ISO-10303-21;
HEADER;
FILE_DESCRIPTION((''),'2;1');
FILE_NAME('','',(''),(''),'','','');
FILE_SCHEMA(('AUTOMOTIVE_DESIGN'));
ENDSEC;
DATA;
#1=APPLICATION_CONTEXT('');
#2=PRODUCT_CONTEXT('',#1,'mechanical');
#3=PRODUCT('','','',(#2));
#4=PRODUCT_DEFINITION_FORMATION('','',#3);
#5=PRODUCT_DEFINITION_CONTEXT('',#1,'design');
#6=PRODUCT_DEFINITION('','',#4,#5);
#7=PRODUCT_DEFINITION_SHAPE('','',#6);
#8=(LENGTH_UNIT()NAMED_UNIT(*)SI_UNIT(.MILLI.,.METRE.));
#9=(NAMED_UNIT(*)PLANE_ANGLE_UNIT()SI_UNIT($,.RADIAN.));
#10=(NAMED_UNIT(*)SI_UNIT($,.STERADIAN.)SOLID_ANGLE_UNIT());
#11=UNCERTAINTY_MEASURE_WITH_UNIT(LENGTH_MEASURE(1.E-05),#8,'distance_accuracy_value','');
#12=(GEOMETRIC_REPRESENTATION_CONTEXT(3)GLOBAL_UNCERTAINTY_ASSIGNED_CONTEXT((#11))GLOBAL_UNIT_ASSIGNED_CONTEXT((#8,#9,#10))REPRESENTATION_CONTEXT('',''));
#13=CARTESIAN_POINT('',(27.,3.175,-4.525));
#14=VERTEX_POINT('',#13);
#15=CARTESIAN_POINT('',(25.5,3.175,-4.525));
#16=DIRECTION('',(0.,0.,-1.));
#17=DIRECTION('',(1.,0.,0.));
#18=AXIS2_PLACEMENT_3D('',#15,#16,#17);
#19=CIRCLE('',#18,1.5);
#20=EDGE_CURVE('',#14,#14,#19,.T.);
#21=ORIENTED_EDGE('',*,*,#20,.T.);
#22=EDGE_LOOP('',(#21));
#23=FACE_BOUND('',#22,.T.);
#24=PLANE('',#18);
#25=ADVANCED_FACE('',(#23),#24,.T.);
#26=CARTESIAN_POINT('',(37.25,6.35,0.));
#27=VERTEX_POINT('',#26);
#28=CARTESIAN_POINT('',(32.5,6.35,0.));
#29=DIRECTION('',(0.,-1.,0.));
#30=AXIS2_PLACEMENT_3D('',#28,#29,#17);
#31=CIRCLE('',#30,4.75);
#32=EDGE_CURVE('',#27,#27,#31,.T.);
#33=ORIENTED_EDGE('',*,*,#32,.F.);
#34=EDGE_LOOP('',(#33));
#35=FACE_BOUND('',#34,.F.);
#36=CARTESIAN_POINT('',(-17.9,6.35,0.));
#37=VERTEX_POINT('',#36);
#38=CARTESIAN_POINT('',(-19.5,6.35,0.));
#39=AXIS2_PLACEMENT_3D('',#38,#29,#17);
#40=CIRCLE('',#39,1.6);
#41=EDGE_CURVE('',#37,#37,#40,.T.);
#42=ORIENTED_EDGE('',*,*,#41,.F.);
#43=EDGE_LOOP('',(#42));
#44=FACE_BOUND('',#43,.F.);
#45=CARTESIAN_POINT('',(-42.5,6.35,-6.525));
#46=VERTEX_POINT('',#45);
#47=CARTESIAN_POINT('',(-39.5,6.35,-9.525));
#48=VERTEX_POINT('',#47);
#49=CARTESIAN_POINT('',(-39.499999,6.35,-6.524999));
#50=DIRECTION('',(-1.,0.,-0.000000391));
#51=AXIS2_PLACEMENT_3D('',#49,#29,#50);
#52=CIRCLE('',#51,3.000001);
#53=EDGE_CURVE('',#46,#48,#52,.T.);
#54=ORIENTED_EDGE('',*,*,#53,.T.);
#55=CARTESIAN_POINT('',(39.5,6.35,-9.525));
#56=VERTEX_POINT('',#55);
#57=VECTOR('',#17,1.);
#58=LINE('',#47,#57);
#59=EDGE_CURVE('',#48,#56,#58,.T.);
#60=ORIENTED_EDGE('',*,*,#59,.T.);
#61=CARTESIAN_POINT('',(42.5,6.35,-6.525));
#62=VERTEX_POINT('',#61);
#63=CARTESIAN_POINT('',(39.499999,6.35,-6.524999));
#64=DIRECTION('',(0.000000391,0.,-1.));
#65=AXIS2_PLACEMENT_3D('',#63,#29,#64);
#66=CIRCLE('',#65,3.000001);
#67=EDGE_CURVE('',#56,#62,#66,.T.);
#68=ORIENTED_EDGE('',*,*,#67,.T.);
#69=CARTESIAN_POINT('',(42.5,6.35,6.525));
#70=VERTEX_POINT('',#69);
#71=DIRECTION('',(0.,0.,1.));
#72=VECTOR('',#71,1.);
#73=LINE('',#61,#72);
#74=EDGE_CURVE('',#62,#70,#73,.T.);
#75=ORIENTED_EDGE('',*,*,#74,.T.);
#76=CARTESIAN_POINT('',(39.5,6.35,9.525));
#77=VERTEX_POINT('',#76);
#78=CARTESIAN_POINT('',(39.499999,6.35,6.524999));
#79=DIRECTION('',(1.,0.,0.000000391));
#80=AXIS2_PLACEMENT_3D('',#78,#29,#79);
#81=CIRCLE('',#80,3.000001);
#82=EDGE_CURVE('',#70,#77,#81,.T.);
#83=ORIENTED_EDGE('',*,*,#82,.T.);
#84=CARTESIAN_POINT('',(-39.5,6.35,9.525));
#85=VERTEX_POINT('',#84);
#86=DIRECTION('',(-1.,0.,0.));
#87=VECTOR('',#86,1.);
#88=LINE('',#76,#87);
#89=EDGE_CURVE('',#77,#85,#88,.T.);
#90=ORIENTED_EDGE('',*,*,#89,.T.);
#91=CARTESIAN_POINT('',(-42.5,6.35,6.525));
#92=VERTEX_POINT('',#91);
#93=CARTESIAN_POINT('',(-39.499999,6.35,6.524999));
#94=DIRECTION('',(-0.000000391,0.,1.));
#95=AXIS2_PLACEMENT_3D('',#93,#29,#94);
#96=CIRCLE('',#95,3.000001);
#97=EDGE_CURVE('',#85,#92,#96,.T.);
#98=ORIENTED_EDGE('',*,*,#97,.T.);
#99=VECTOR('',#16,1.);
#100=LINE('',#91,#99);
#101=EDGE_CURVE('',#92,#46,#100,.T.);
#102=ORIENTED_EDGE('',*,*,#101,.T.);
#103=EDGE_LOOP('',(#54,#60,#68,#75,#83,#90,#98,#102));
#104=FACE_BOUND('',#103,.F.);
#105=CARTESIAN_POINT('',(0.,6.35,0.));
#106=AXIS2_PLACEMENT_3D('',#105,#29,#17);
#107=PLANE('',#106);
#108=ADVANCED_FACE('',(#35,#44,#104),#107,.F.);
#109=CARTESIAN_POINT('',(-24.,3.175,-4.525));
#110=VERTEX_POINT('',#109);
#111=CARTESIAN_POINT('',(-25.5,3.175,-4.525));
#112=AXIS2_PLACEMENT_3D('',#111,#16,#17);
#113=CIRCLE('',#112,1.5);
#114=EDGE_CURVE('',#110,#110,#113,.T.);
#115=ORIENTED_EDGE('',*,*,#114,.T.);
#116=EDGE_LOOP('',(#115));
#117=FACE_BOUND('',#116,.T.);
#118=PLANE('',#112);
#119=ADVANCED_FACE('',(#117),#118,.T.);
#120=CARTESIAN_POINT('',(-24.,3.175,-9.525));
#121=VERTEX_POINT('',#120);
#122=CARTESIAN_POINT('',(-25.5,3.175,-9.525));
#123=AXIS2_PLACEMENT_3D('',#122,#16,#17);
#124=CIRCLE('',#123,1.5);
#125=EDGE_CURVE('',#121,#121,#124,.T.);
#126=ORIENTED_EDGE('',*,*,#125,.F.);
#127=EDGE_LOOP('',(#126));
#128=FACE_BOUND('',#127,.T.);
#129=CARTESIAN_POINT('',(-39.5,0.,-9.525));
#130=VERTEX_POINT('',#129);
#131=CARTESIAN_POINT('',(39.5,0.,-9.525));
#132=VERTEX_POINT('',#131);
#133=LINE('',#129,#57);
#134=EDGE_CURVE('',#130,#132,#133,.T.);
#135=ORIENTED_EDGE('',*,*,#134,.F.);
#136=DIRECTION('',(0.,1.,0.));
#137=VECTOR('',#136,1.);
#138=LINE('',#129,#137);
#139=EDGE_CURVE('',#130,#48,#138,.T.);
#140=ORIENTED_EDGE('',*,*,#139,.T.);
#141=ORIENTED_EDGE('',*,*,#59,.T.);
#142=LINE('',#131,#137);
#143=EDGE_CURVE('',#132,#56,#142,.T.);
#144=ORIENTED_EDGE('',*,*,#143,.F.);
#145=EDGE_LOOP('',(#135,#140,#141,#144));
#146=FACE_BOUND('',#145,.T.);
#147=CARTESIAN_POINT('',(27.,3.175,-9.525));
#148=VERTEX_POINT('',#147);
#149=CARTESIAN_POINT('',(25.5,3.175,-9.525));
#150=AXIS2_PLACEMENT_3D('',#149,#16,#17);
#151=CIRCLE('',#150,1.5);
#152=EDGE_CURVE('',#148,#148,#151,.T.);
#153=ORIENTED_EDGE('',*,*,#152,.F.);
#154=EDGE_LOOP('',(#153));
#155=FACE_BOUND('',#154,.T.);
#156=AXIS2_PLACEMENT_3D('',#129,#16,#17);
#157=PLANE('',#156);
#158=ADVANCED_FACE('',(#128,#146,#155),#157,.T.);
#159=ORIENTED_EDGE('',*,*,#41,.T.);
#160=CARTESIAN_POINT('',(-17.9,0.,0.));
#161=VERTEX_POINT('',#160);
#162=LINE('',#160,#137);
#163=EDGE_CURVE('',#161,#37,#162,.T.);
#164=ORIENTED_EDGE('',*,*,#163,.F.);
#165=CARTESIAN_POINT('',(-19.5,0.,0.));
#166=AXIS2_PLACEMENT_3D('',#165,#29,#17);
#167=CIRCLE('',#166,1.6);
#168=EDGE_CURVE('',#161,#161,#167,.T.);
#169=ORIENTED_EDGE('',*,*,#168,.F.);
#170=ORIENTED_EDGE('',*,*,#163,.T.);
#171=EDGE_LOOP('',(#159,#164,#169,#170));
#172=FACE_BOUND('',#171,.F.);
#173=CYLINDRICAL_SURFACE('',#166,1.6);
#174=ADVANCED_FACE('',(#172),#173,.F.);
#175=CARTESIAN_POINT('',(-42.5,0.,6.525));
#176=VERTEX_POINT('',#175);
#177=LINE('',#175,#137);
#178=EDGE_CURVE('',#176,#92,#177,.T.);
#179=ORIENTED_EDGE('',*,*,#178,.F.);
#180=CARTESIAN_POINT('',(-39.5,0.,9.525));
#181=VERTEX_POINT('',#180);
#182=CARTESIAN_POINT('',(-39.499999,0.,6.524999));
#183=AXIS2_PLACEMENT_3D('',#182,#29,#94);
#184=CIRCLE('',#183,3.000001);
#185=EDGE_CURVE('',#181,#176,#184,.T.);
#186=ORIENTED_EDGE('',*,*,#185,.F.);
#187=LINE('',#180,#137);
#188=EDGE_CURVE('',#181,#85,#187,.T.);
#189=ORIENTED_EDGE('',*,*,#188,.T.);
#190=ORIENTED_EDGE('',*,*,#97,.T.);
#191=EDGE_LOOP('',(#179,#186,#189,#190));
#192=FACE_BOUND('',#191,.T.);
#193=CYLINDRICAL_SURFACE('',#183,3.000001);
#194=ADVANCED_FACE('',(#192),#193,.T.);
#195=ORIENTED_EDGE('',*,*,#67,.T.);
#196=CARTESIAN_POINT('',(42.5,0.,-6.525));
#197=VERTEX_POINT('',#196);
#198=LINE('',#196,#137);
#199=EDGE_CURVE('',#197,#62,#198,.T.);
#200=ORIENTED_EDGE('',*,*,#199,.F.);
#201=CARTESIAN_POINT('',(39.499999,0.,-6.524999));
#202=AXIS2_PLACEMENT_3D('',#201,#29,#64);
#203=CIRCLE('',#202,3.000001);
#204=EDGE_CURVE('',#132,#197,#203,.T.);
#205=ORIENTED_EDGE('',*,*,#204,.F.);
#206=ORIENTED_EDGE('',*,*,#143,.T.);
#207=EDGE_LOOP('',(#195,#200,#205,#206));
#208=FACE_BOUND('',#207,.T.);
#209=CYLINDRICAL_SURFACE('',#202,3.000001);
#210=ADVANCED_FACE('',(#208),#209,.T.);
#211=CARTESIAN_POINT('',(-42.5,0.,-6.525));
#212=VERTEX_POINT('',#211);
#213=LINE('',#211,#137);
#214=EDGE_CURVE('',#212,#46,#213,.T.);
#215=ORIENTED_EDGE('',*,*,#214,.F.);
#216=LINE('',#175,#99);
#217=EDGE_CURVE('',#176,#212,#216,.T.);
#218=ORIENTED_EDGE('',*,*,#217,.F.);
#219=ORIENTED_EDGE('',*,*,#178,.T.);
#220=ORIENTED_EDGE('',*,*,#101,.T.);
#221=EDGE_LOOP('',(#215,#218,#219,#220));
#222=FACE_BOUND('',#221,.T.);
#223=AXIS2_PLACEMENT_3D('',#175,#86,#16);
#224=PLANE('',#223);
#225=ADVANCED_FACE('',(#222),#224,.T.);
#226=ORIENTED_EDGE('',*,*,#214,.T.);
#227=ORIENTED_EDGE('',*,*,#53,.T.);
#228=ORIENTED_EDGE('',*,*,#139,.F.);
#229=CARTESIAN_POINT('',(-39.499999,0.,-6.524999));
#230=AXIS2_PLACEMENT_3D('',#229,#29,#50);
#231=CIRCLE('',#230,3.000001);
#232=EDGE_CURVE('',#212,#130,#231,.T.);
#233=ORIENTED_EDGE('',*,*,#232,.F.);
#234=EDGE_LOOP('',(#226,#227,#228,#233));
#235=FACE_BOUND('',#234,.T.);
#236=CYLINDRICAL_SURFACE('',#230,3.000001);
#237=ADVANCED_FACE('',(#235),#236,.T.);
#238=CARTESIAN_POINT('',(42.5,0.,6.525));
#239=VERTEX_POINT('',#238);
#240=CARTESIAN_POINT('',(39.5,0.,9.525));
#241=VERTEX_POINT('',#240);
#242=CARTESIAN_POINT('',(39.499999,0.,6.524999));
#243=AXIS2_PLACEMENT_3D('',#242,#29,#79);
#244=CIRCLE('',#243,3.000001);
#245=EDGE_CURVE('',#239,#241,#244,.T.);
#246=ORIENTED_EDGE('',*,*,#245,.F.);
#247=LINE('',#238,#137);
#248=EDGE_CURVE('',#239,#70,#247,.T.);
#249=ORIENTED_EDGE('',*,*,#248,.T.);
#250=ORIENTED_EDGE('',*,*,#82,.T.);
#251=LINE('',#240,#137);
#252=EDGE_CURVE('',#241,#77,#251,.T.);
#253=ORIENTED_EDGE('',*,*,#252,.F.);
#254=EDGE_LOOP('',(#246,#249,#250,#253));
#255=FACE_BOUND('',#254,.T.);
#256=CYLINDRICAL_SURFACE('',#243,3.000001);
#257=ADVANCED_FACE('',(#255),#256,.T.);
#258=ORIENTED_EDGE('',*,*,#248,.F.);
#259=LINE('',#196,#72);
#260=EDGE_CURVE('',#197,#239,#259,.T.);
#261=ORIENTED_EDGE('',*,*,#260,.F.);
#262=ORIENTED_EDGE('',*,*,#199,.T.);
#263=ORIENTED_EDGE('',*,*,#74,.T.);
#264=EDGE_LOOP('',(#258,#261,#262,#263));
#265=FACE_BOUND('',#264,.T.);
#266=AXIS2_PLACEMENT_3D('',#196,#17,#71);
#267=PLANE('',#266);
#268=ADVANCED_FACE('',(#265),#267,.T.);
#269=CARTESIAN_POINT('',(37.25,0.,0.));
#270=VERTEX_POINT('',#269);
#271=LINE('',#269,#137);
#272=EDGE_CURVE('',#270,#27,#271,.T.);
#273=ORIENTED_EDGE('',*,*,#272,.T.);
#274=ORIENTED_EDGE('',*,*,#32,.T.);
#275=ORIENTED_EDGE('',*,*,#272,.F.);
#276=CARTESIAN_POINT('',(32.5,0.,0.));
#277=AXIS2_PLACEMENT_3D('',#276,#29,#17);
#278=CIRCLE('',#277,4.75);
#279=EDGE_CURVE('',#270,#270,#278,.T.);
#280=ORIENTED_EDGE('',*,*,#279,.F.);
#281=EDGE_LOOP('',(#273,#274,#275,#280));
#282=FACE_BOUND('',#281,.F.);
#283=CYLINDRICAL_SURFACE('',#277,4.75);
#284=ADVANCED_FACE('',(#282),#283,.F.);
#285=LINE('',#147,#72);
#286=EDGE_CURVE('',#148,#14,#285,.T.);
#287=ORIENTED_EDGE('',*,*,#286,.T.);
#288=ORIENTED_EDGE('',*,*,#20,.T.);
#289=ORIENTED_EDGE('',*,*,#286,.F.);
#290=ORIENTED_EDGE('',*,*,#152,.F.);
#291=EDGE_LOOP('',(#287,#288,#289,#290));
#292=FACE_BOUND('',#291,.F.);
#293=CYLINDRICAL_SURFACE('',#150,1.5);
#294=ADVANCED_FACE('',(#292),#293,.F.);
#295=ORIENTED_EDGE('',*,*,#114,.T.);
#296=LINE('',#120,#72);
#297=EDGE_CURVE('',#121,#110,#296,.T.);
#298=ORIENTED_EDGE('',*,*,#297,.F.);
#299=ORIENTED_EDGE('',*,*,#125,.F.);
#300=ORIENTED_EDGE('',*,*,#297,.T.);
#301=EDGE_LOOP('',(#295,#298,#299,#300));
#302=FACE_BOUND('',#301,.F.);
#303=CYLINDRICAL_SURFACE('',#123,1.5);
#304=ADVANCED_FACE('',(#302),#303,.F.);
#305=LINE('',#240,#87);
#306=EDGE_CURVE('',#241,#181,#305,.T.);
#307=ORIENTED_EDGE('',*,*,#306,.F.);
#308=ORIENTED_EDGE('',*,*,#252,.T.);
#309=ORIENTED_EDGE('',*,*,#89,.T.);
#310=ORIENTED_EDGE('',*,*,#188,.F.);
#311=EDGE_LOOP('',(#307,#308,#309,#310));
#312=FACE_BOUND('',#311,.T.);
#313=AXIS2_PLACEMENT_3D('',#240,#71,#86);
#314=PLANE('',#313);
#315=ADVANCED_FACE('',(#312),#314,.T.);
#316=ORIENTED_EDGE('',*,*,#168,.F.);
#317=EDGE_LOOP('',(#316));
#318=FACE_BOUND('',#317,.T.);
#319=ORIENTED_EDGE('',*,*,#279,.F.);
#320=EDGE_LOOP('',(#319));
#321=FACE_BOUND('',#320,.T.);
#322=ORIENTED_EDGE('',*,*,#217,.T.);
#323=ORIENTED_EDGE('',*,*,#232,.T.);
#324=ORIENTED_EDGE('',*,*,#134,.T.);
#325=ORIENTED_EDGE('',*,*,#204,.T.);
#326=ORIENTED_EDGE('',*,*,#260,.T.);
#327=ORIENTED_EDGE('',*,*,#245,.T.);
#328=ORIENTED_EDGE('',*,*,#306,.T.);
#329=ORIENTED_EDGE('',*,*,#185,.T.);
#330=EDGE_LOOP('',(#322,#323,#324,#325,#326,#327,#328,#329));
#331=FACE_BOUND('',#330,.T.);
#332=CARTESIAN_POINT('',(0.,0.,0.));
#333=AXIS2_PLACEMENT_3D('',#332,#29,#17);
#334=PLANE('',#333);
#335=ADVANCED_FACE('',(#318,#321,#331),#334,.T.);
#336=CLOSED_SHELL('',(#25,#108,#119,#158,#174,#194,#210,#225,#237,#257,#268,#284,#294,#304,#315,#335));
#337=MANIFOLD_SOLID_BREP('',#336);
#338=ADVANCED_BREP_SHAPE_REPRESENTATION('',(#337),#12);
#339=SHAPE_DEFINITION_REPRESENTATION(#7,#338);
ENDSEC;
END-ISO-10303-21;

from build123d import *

# Parameters (mm, degrees)
F0_R     = 1.6
F0_R_2   = 4.75
F1_DEPTH = 6.35
F2_R     = 1.5
F3_DEPTH = 5
F4_R     = 1.5
F5_DEPTH = 5


with BuildPart() as f1:
    # F0 (on Front) → F1 (new body)
    with BuildSketch(Plane.XZ):
        with BuildLine():
            Line((39.5, 9.525), (-39.5, 9.525))
            ThreePointArc((-39.5, 9.525), (-41.62132, 8.64632), (-42.5, 6.525))
            Line((-42.5, 6.525), (-42.5, -6.525))
            ThreePointArc((-42.5, -6.525), (-41.62132, -8.64632), (-39.5, -9.525))
            Line((-39.5, -9.525), (39.5, -9.525))
            ThreePointArc((39.5, -9.525), (41.62132, -8.64632), (42.5, -6.525))
            Line((42.5, -6.525), (42.5, 6.525))
            ThreePointArc((42.5, 6.525), (41.62132, 8.64632), (39.5, 9.525))
        make_face()
        with Locations((-19.5, 0)):
            Circle(F0_R, mode=Mode.SUBTRACT)
        with Locations((32.5, 0)):
            Circle(F0_R_2, mode=Mode.SUBTRACT)
    extrude(amount=-F1_DEPTH)

    # F2 (on face) → F3 (cut)
    with BuildSketch(Plane(origin=(0, 0, -9.525), x_dir=(1, 0, 0), z_dir=(0, 0, -1))):
        with Locations((-25.5, -3.175)):
            Circle(F2_R)
    extrude(amount=-F3_DEPTH, mode=Mode.SUBTRACT)

    # F4 (on face) → F5 (cut)
    with BuildSketch(Plane(origin=(0, 0, -9.525), x_dir=(1, 0, 0), z_dir=(0, 0, -1))):
        with Locations((25.5, -3.175)):
            Circle(F4_R)
    extrude(amount=-F5_DEPTH, mode=Mode.SUBTRACT)


solid = f1.part
